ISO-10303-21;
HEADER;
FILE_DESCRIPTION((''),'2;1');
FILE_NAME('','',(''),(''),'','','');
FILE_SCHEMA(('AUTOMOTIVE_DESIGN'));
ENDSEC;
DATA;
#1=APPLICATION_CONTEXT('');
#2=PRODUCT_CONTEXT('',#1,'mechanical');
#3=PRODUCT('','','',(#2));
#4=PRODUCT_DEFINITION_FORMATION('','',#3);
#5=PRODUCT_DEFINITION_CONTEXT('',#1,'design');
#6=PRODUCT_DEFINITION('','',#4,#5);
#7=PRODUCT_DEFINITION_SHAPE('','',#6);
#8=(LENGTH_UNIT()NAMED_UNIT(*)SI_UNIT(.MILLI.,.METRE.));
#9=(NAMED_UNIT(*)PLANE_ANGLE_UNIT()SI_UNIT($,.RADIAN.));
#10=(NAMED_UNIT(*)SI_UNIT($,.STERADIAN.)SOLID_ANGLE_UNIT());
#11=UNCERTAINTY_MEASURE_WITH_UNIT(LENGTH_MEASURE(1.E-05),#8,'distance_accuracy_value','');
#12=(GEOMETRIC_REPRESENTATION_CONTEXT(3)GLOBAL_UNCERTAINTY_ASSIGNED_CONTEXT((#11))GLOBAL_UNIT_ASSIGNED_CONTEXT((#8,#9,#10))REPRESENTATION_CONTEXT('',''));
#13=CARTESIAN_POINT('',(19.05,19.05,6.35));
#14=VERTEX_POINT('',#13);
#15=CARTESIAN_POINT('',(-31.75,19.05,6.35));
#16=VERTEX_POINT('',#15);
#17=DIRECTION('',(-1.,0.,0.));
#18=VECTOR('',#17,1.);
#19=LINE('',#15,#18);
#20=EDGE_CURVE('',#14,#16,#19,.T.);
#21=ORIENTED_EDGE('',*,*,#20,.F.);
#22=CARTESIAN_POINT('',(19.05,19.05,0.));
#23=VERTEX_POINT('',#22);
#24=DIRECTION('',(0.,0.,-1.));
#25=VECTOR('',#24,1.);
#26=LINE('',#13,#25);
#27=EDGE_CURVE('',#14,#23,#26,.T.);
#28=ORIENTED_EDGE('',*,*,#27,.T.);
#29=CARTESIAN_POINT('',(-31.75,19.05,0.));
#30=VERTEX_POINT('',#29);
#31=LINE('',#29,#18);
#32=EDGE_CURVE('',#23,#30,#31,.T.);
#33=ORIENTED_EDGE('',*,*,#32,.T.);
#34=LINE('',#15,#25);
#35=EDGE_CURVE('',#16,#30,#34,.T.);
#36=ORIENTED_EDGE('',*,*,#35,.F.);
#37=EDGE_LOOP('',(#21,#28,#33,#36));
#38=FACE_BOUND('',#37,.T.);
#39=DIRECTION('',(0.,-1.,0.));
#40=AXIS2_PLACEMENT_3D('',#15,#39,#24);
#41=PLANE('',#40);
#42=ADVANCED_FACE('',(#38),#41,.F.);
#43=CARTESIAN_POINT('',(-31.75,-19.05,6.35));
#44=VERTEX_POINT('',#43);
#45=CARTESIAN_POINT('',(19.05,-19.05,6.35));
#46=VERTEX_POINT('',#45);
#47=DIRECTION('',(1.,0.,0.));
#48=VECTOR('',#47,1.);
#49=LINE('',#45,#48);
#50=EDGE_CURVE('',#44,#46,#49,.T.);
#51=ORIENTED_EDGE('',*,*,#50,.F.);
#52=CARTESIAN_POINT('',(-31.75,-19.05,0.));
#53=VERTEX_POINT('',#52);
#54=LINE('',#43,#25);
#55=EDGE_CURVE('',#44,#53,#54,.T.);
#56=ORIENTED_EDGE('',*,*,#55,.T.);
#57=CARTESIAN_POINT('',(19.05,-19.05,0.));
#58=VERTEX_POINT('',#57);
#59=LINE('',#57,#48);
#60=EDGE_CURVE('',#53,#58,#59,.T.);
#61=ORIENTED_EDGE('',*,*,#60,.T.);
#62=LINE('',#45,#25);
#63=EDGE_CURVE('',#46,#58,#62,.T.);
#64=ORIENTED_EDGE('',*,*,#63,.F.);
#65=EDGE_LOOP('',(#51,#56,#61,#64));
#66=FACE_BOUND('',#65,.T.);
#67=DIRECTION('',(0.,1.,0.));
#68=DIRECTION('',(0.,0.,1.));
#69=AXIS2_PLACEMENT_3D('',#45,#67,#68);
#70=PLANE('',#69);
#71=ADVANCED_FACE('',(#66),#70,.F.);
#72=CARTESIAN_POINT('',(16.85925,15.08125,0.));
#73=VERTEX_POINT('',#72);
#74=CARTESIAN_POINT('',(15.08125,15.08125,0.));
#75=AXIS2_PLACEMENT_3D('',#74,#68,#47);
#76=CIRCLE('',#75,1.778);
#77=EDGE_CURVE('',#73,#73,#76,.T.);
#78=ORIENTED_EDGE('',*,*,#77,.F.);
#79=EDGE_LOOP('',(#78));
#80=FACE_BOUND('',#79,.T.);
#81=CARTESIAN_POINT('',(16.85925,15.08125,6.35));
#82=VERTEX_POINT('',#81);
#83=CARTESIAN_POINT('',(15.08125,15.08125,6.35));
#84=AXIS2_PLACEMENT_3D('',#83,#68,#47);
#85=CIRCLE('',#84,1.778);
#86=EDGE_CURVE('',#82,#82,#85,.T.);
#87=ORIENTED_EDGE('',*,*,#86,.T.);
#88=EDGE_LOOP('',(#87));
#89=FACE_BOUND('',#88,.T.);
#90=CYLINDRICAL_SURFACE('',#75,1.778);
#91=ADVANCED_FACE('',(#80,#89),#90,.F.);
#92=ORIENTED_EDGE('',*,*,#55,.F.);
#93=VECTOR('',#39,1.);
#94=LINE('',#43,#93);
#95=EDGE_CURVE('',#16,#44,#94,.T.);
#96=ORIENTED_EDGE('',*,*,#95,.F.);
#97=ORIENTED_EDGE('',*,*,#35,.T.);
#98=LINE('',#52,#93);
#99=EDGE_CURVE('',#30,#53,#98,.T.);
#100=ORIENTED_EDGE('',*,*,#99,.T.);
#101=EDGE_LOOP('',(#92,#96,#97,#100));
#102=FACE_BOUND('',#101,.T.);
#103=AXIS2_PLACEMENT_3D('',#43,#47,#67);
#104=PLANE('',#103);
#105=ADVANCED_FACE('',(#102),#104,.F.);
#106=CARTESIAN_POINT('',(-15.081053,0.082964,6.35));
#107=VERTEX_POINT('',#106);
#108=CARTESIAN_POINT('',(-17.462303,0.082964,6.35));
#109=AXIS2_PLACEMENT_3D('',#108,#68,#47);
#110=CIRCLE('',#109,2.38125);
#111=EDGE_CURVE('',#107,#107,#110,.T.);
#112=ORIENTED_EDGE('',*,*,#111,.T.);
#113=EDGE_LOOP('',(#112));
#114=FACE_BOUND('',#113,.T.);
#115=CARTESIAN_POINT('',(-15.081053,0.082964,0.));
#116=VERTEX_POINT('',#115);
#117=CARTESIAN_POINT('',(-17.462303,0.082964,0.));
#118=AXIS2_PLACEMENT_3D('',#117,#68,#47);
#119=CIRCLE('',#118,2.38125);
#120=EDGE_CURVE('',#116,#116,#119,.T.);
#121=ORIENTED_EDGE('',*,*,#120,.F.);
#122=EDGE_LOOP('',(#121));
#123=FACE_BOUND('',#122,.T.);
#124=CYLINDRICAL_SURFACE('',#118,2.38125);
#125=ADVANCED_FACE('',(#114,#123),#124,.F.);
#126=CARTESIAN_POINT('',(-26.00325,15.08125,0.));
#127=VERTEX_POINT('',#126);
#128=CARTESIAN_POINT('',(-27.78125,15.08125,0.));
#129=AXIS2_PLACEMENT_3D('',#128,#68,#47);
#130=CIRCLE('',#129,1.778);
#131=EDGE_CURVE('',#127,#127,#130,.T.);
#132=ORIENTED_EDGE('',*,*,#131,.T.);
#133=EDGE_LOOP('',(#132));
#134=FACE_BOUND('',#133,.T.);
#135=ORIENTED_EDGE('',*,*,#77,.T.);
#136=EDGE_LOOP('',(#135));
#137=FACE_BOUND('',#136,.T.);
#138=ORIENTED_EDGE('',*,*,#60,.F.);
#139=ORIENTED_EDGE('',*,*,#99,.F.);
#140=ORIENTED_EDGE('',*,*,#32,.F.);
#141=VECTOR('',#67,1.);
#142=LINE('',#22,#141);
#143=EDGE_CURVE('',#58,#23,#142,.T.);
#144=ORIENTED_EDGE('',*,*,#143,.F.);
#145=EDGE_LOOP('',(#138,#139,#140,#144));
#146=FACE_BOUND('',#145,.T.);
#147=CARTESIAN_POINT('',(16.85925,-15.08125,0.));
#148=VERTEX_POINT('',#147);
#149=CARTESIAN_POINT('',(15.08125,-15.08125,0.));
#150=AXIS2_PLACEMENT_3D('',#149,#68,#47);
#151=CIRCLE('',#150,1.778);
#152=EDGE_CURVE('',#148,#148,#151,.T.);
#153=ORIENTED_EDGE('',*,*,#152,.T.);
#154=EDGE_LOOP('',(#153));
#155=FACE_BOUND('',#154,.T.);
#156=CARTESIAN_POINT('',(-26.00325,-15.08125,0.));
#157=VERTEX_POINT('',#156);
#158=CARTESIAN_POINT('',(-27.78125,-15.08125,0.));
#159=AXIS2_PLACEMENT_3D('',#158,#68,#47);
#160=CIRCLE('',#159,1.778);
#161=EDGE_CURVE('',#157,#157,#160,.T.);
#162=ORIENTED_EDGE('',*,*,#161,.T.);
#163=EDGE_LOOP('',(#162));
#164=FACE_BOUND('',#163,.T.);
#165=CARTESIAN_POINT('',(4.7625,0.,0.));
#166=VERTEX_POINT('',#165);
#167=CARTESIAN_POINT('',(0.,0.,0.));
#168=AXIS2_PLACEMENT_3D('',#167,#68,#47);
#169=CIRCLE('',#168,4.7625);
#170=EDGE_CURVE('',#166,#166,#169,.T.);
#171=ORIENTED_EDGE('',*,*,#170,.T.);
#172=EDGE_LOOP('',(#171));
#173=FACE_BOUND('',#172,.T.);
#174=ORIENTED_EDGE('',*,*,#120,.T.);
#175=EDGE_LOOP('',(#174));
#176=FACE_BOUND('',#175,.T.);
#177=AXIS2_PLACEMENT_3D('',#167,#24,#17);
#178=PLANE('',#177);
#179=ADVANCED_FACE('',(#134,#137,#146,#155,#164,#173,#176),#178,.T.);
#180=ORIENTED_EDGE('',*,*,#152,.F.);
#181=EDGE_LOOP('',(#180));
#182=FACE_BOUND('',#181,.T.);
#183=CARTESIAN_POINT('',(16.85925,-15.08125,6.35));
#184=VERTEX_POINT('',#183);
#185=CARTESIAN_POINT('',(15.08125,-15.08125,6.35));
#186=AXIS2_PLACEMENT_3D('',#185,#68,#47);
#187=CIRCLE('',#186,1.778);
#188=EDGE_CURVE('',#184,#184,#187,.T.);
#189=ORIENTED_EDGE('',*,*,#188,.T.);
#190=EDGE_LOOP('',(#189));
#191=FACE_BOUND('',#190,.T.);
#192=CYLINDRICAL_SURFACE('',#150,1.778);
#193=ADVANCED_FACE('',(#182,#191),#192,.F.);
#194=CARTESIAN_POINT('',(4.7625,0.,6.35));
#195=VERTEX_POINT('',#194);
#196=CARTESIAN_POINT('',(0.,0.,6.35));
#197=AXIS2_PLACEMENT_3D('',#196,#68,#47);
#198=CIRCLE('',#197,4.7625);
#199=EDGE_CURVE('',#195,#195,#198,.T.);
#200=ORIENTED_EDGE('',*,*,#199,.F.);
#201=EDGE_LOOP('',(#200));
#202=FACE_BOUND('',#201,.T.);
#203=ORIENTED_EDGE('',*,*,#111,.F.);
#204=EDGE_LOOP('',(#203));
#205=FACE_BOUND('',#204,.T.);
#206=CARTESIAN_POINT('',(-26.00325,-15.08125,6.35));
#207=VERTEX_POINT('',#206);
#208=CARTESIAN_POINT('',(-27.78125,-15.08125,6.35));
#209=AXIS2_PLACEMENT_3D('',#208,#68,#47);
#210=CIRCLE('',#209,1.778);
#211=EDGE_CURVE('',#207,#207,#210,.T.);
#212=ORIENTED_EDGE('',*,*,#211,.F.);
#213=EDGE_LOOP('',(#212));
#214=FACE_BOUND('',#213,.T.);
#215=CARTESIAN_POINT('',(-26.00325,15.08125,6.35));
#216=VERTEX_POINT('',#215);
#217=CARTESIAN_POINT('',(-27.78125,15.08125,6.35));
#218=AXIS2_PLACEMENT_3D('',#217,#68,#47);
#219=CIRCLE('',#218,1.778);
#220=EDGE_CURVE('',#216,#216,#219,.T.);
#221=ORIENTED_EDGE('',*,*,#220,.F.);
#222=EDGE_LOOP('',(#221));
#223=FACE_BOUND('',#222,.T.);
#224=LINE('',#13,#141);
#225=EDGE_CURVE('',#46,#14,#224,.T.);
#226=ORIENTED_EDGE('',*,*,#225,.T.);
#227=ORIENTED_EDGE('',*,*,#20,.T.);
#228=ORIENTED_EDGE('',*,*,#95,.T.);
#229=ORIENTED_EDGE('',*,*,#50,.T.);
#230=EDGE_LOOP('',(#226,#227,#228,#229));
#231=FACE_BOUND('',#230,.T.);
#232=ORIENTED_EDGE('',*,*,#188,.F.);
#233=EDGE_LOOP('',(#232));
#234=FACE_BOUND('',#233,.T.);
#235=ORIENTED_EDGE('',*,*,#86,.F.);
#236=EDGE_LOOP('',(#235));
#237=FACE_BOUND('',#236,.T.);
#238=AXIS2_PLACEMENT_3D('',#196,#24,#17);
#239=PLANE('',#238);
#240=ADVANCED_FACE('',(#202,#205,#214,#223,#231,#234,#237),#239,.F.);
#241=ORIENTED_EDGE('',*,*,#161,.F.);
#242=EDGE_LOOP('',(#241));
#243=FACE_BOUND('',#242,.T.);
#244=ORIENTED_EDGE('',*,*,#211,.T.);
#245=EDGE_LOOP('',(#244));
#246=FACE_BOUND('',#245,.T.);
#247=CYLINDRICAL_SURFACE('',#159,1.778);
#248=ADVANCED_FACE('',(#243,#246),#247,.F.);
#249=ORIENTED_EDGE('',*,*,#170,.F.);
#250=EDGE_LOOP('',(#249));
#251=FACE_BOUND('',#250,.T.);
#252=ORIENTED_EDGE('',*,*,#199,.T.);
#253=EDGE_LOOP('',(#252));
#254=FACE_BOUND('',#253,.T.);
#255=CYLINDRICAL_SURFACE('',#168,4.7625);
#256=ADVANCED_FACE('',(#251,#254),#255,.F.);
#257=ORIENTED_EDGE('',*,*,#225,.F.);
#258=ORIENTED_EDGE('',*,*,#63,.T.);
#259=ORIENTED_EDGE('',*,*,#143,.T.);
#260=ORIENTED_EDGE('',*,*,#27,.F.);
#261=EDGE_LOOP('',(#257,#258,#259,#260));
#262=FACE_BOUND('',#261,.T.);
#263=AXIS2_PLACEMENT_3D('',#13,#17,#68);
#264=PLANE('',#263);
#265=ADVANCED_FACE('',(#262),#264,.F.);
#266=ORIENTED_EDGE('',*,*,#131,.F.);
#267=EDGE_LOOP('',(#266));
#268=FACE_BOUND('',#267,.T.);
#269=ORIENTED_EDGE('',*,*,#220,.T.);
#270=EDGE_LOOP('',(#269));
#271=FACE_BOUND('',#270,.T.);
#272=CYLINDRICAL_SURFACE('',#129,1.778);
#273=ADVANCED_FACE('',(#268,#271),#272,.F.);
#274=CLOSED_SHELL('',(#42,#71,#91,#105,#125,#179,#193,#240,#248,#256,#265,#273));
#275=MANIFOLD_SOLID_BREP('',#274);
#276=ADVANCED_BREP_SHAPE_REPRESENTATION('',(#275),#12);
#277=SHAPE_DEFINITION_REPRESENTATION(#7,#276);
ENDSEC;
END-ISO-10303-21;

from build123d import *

# Parameters (mm, degrees)
SKETCH1_W           = 50.8
SKETCH1_H           = 38.1
BOSS_EXTRUDE1_DEPTH = 6.35
SKETCH2_R           = 2.38125
SKETCH2_R_2         = 4.7625
CUT_EXTRUDE1_DEPTH  = 38.567106623
SKETCH3_R           = 1.778
CUT_EXTRUDE2_DEPTH  = 38.567106623


with BuildPart() as part:
    # Sketch1 → Boss-Extrude1 (new body)
    with BuildSketch(Plane.XY):
        with Locations((-6.35, 0)):
            Rectangle(SKETCH1_W, SKETCH1_H)
    extrude(amount=BOSS_EXTRUDE1_DEPTH)

    # Sketch2 → Cut-Extrude1 (cut, through all)
    with BuildSketch(Plane.XY.offset(6.35)):
        with Locations((-17.462302917, 0.082964446)):
            Circle(SKETCH2_R)
        Circle(SKETCH2_R_2)
    extrude(amount=-CUT_EXTRUDE1_DEPTH, mode=Mode.SUBTRACT)

    # Sketch3 → Cut-Extrude2 (cut, through all)
    with BuildSketch(Plane.XY.offset(6.35)):
        with Locations((-27.78125, 15.08125)):
            Circle(SKETCH3_R)
        with Locations((15.08125, 15.08125)):
            Circle(SKETCH3_R)
        with Locations((15.08125, -15.08125)):
            Circle(SKETCH3_R)
        with Locations((-27.78125, -15.08125)):
            Circle(SKETCH3_R)
    extrude(amount=-CUT_EXTRUDE2_DEPTH, mode=Mode.SUBTRACT)


solid = part.part
